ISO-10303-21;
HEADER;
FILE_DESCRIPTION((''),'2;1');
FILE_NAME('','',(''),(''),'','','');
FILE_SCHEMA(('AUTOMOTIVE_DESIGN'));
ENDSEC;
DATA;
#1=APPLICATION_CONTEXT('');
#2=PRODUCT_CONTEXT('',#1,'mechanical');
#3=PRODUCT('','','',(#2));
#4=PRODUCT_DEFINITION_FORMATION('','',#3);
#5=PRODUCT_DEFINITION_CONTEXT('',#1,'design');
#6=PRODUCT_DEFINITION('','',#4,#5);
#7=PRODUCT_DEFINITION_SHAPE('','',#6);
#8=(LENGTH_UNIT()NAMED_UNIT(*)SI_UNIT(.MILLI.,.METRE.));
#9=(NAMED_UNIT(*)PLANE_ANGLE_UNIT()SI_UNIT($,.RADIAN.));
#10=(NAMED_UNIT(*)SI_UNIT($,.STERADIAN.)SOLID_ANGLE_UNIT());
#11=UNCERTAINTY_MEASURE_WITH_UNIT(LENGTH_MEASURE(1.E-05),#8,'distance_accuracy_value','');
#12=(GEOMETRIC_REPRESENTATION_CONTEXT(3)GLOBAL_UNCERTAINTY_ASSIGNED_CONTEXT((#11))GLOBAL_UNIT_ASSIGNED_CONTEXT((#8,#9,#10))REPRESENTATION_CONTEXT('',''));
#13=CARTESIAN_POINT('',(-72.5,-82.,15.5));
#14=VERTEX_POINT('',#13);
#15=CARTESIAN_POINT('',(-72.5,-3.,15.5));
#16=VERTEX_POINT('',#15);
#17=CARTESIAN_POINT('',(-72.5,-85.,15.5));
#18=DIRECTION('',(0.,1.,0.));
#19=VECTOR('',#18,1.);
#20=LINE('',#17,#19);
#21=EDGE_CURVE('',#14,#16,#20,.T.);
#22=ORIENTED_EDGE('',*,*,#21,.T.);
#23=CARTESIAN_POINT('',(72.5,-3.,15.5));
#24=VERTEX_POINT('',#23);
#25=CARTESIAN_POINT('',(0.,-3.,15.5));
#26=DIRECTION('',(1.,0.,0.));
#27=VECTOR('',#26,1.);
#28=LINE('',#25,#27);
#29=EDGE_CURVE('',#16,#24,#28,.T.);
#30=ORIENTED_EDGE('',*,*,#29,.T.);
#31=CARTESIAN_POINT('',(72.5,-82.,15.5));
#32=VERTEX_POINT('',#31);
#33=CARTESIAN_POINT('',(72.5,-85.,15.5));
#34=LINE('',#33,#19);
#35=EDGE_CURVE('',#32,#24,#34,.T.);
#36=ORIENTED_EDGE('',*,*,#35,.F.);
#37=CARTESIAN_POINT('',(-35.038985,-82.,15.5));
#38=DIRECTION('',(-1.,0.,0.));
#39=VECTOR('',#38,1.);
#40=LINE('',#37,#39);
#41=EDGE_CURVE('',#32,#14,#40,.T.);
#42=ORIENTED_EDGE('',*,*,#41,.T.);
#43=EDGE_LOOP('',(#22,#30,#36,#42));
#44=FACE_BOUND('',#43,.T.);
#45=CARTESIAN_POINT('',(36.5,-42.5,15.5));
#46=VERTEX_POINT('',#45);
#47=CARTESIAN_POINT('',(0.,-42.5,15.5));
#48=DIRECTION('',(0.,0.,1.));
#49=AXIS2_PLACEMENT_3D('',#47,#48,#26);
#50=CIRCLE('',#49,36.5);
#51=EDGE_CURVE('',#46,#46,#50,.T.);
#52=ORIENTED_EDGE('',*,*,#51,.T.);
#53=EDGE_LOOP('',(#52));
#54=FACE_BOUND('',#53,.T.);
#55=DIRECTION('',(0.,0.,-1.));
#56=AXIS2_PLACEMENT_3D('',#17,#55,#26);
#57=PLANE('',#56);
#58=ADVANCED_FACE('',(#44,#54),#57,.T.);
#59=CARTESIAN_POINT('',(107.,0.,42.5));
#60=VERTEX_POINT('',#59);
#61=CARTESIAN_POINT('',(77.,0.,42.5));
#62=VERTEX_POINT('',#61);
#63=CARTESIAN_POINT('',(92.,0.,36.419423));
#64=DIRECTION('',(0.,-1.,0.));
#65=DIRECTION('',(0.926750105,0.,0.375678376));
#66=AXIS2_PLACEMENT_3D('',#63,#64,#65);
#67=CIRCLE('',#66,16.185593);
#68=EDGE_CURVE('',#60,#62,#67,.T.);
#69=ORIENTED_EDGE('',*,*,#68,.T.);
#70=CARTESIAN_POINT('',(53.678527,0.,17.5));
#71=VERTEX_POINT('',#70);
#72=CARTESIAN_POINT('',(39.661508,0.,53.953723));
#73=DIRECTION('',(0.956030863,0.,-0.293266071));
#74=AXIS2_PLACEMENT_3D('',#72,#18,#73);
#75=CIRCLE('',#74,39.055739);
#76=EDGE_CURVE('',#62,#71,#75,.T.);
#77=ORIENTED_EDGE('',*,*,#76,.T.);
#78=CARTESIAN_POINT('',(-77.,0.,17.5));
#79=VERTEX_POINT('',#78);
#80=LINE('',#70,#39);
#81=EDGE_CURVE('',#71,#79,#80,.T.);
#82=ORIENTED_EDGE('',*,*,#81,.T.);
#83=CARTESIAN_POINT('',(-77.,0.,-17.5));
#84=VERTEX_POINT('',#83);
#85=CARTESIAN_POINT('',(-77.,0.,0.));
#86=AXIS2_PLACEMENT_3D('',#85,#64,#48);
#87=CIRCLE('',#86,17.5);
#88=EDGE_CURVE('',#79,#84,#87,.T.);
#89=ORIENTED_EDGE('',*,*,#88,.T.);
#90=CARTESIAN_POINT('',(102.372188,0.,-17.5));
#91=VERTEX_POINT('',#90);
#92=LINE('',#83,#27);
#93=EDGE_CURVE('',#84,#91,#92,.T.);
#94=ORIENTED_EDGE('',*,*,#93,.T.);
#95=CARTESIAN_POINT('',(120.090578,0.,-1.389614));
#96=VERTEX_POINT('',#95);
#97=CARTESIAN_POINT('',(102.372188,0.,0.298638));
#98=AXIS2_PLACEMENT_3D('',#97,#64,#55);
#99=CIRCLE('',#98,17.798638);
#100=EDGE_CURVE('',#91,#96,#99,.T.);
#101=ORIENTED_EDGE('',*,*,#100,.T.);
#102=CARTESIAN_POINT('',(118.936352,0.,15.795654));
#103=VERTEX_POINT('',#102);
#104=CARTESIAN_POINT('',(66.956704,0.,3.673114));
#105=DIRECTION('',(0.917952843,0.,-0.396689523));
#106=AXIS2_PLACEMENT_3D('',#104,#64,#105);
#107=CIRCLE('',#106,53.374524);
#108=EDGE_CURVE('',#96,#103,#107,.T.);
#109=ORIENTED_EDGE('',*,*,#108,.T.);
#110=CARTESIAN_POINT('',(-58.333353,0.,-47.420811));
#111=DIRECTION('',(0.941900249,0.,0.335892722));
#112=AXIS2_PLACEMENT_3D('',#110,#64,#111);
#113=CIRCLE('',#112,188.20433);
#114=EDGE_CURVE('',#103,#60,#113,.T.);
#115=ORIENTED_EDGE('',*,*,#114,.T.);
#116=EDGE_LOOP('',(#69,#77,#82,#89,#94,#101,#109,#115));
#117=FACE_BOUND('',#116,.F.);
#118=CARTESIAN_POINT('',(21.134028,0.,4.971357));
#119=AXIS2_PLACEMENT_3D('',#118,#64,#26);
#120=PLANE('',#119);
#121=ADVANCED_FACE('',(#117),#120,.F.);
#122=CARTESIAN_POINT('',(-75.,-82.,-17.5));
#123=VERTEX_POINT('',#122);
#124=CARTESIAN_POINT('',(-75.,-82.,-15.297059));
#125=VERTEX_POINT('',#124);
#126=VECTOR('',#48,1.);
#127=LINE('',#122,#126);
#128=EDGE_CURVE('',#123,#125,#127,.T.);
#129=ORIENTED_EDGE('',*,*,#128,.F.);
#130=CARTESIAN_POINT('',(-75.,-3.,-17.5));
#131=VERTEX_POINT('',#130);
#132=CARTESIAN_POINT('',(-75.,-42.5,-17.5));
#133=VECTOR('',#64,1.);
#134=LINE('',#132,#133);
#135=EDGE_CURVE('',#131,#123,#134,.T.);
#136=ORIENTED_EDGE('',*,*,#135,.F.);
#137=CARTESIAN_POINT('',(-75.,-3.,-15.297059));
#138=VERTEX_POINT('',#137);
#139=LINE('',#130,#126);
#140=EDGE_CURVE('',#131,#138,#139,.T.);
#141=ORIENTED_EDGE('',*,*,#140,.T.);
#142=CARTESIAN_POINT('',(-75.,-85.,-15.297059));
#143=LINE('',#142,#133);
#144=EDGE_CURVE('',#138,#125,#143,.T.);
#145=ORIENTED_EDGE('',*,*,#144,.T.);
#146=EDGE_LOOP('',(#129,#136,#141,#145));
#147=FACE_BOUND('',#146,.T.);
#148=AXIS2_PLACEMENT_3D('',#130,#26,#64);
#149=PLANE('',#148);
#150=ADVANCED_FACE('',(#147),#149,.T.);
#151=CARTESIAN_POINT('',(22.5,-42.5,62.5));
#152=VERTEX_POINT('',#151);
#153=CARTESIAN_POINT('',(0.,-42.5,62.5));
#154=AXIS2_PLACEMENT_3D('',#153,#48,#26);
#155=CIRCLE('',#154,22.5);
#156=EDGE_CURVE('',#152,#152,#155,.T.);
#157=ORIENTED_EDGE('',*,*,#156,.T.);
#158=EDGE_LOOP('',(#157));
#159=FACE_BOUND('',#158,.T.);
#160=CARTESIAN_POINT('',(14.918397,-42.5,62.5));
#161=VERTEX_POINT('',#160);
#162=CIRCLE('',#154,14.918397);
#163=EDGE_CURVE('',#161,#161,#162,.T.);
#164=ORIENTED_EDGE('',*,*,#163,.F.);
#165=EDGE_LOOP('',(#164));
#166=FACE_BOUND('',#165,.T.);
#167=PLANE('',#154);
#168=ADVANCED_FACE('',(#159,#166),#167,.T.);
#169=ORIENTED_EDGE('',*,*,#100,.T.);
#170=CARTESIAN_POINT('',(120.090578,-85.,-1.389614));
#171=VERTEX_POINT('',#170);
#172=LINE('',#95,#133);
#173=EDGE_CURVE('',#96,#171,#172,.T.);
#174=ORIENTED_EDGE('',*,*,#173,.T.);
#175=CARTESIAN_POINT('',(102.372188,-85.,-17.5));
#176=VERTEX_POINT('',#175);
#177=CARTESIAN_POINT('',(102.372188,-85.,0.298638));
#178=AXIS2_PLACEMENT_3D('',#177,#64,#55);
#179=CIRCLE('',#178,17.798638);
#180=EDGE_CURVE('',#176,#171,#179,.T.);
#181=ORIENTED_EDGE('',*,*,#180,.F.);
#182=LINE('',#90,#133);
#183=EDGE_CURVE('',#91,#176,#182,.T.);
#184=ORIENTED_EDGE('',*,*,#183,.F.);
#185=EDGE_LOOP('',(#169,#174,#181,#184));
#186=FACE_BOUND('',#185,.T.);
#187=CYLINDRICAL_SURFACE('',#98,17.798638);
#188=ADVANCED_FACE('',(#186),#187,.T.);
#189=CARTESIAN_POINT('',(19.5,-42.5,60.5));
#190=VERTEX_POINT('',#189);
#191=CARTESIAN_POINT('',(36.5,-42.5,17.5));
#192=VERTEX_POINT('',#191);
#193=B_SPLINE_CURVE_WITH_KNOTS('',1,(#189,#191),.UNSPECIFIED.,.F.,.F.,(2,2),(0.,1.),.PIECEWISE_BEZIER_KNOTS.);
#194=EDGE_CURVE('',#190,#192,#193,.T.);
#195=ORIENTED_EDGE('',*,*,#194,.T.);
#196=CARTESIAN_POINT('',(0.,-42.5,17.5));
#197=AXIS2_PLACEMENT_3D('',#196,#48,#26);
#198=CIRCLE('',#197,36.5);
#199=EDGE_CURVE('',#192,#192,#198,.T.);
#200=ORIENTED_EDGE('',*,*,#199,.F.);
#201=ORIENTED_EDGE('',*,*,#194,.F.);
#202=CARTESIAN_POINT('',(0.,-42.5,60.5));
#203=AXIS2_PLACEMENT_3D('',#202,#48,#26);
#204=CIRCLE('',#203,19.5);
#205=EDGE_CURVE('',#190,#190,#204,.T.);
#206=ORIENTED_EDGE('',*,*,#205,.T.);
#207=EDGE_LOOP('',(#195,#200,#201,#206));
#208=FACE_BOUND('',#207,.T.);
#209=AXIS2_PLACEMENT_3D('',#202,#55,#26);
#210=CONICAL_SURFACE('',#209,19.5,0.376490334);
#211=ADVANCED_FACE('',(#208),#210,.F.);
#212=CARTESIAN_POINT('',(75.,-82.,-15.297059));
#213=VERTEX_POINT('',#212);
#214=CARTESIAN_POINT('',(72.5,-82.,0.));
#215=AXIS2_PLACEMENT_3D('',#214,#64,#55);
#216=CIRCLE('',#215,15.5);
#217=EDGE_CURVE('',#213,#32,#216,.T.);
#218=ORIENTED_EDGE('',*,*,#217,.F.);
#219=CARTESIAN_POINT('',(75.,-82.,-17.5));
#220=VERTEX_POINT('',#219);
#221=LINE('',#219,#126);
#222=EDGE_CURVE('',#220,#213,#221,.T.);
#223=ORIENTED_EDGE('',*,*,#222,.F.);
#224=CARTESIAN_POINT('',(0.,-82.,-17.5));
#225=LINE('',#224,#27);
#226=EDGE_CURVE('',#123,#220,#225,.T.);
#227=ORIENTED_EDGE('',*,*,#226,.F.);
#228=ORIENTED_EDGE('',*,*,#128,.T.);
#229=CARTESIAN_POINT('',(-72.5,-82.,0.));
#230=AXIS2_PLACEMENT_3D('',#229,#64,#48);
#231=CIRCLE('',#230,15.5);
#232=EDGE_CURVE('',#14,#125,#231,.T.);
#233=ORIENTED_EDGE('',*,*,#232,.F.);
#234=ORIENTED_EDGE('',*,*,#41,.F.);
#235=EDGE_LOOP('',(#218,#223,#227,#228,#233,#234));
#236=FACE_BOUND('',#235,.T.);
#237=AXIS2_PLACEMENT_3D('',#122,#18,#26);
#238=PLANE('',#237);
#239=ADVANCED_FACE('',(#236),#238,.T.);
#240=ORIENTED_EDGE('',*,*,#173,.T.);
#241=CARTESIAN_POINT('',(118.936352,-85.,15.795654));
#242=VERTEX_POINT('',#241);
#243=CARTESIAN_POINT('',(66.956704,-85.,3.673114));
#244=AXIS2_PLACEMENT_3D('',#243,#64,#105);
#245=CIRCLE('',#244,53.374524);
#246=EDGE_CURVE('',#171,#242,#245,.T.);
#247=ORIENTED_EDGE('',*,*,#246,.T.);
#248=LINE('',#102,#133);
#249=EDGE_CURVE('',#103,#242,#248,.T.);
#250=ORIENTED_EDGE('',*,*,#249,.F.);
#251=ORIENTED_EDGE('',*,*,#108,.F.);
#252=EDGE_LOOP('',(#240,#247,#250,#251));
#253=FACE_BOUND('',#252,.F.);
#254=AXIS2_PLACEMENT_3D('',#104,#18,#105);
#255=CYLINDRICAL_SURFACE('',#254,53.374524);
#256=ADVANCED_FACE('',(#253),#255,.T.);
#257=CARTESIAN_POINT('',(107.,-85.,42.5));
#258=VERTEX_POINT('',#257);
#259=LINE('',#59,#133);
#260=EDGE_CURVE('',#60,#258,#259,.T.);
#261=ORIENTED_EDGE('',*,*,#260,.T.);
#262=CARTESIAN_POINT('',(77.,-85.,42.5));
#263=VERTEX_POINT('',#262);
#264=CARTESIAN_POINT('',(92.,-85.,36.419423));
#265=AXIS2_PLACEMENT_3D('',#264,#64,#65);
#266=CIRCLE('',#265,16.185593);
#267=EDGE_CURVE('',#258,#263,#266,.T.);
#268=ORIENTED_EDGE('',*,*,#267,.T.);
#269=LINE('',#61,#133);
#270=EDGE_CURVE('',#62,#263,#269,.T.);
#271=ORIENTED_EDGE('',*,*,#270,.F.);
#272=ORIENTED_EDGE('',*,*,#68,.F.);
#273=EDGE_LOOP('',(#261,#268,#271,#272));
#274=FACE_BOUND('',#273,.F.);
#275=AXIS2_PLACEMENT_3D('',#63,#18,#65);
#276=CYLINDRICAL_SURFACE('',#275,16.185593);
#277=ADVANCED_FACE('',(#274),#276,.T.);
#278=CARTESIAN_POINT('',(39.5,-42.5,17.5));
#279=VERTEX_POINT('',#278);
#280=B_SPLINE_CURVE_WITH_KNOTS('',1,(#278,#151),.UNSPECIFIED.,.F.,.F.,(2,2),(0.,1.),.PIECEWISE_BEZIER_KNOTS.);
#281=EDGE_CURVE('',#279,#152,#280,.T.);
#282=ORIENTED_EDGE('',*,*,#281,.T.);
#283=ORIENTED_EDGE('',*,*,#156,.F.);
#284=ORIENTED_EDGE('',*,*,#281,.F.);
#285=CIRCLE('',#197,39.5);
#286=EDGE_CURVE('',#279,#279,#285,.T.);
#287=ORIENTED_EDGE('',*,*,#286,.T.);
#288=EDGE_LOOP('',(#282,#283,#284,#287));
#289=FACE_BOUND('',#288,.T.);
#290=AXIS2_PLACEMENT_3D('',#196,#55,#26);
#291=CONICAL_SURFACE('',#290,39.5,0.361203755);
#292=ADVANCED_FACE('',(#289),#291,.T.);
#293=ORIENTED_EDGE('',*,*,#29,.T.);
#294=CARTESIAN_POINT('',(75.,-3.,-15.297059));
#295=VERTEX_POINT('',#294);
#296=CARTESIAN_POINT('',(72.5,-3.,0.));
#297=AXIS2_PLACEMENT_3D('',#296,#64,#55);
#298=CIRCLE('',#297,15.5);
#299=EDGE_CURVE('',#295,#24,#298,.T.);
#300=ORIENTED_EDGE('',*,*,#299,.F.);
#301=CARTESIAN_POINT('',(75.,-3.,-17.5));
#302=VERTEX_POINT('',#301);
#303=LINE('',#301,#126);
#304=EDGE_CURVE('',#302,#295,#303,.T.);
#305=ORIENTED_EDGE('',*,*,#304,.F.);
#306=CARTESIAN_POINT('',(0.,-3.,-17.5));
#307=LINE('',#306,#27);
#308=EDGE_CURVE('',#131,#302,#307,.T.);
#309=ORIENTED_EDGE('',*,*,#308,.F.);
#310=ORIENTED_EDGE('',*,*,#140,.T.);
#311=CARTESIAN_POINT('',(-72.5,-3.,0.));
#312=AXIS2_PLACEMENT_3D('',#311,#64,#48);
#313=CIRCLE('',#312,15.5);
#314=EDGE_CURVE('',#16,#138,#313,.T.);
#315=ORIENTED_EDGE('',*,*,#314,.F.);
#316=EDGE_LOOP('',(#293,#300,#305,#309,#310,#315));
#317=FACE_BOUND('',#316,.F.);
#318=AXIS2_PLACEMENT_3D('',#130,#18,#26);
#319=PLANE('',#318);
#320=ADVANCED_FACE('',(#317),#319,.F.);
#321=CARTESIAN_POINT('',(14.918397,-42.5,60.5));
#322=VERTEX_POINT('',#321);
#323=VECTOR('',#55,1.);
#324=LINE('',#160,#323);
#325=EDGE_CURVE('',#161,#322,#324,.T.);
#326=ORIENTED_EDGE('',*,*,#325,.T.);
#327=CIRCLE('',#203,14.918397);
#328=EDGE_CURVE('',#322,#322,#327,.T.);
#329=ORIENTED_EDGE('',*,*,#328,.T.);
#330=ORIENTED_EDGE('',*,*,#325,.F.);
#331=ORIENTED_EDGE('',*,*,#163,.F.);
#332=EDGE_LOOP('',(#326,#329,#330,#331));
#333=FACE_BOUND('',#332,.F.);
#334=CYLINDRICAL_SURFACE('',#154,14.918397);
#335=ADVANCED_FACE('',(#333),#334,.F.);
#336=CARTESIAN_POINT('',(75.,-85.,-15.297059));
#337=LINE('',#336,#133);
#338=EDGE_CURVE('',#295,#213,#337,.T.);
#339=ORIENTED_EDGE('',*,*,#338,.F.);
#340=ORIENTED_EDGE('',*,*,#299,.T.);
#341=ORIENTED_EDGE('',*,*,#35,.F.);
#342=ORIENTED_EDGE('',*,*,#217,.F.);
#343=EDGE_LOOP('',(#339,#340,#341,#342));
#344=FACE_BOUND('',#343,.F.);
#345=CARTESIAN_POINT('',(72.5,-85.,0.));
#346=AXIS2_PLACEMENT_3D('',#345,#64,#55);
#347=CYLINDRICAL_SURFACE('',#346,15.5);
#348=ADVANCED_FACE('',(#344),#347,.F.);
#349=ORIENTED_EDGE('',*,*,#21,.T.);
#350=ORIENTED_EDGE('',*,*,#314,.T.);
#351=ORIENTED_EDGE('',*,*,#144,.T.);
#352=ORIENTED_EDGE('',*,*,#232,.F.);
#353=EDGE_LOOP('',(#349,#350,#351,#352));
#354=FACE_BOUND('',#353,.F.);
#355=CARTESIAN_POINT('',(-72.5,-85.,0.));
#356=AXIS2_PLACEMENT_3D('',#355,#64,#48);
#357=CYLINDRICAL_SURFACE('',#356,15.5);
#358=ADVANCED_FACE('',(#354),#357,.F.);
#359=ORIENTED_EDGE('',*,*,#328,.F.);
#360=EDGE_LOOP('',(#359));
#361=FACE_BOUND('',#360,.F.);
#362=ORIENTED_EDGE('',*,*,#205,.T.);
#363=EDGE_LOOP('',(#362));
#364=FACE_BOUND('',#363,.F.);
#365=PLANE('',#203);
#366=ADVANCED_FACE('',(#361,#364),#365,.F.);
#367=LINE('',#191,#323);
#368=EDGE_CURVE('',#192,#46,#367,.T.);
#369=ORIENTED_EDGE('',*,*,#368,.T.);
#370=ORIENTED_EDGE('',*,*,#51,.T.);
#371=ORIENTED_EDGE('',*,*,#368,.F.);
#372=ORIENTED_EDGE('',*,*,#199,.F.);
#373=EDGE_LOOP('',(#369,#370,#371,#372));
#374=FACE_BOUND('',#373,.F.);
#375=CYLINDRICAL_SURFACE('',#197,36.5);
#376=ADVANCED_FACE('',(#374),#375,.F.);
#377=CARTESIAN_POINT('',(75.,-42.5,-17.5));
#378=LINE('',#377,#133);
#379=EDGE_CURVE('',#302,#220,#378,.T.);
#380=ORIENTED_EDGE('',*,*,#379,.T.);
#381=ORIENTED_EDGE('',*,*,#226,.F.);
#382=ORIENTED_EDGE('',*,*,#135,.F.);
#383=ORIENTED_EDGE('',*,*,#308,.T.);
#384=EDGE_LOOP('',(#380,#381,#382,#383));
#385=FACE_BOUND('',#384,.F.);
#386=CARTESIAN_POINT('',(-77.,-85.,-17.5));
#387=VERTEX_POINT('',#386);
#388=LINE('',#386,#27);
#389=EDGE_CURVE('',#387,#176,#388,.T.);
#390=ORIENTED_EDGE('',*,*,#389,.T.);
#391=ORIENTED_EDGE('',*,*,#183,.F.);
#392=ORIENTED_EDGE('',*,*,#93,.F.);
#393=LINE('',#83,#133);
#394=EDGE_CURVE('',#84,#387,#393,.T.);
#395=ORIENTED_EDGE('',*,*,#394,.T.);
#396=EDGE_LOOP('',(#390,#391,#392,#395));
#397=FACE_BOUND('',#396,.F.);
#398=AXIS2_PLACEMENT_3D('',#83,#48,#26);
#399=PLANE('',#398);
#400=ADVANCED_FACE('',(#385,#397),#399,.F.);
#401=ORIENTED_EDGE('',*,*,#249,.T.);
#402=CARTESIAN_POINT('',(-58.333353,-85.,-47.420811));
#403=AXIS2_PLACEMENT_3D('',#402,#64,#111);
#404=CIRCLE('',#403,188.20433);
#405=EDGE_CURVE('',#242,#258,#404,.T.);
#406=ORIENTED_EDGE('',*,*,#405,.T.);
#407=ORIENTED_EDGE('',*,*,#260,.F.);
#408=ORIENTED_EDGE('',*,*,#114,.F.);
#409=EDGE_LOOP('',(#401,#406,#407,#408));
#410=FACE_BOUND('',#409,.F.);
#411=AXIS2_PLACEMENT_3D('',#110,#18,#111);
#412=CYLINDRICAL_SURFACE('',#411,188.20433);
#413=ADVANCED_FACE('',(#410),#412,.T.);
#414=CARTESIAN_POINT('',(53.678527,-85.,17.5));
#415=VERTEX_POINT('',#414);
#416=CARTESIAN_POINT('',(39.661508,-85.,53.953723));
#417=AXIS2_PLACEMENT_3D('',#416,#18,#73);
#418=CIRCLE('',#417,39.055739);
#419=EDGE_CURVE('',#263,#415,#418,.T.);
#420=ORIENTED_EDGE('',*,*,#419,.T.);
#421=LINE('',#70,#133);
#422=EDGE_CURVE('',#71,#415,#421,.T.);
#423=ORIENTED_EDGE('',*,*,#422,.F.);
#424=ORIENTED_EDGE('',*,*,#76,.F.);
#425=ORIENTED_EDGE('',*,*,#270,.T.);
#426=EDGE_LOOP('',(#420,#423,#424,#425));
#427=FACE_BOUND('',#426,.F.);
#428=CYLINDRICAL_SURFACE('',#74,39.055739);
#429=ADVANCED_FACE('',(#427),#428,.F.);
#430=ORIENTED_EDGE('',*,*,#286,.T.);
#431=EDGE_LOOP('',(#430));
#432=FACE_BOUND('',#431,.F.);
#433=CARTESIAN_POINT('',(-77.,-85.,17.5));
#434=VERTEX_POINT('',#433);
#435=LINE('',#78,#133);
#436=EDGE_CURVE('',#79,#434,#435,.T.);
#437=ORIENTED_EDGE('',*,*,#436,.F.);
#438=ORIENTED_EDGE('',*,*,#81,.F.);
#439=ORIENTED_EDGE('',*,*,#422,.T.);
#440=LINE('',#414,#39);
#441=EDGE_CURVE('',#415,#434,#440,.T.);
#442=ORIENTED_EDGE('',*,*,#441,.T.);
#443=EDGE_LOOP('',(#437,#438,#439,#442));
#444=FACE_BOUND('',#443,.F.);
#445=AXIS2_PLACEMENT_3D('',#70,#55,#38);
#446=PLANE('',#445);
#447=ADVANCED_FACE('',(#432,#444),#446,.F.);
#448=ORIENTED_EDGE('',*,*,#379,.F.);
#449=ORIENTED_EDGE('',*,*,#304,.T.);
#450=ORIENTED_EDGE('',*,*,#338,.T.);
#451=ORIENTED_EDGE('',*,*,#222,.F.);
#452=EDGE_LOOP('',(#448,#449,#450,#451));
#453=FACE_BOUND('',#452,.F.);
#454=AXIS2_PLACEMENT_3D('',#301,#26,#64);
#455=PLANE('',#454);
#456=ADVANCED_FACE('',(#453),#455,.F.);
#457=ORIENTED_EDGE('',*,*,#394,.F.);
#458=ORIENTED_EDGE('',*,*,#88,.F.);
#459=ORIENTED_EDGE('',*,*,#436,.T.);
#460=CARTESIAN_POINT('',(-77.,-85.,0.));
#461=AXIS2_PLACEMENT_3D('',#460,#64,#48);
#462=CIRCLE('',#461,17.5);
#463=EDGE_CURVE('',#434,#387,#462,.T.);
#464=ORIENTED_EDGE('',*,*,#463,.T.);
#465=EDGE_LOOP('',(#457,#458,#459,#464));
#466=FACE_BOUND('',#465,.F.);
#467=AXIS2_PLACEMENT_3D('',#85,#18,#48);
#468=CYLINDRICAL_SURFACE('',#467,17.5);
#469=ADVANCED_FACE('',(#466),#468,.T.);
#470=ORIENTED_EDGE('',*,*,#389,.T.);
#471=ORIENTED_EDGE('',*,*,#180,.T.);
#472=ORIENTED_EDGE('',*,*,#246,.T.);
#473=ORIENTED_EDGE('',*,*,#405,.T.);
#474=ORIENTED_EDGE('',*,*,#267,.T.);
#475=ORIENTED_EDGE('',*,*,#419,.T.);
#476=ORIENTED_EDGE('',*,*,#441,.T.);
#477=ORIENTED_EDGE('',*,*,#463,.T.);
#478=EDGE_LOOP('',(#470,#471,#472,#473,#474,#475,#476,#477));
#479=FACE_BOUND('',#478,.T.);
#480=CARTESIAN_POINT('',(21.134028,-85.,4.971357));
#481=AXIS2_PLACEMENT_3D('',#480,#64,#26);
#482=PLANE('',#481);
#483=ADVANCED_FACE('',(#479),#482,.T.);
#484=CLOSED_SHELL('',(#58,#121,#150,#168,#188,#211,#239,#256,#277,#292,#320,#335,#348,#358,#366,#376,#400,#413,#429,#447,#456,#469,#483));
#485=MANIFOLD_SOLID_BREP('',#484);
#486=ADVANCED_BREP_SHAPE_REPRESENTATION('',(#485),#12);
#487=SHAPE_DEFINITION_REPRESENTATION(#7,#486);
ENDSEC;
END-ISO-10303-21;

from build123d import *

# Parameters (mm, degrees)
F1_DEPTH  = 85
F2_W      = 145
F2_H      = 31
F3_DEPTH  = 82
F5_DEPTH  = 3
F6_R      = 36.5
F7_DEPTH  = 25
F8_W      = 150
F8_H      = 79
F9_DEPTH  = 25
F12_R     = 39.5
F11_R     = 22.5
F15_R     = 19.5
F16_R     = 36.5
F18_R     = 14.9183969034
F19_DEPTH = 25
F20_R     = 17.7986384492


with BuildPart() as f1:
    # F0 (on Front) → F1 (new body)
    with BuildSketch(Plane.XZ):
        with BuildLine():
            Line((53.6785274744, 17.5), (-77, 17.5))
            ThreePointArc((-77, 17.5), (-94.5, 0), (-77, -17.5))
            Line((-77, -17.5), (107, -17.5))
            Line((107, -17.5), (115.9520000219, -17.5))
            ThreePointArc((115.9520000219, -17.5), (120.1181090792, -1.0918428156), (118.9363524318, 15.7956536859))
            ThreePointArc((118.9363524318, 15.7956536859), (113.4877587414, 29.3800706908), (107, 42.5))
            ThreePointArc((107, 42.5), (92, 52.605015692), (77, 42.5))
            ThreePointArc((77, 42.5), (68.2201693479, 27.312521558), (53.6785274744, 17.5))
        make_face()
    extrude(amount=F1_DEPTH)

    # F2 (on face) → F3 (cut)
    with BuildSketch(Plane.XZ.offset(85)):
        Rectangle(F2_W, F2_H)
        with BuildLine():
            ThreePointArc((72.5, -15.5), (88, 0), (72.5, 15.5))
            Line((72.5, 15.5), (72.5, -15.5))
        make_face()
        with BuildLine():
            Line((-72.5, -15.5), (-72.5, 15.5))
            ThreePointArc((-72.5, 15.5), (-88, 0), (-72.5, -15.5))
        make_face()
    extrude(amount=-F3_DEPTH, mode=Mode.SUBTRACT)

    # F4 (on face) → F5 (join)
    with BuildSketch(Plane.XZ.offset(85)):
        Polygon((-80.3302004933, 15.8144365996), (-89.8194238544, 7.0904721506), (-91.0138636827, 2.9792727437), (-88.2837101817, -7.9413596541), (-85.0075185299, -14.220722951), (-77, -16.4173003286), (74.3856430054, -16.4173003286), (83.1666067243, -15.5), (93.1773036718, -10.9323309734), (95.8332046866, 5.4116621614), (83.1666067243, 16.6404508054), (67.7867159247, 16.6404508054), (-69.6145296097, 16.6404508054), align=None)
    extrude(amount=-F5_DEPTH)

    # F6 (on face) → F7 (cut)
    with BuildSketch(Plane.XY.offset(17.5)):
        with Locations((0, -42.5)):
            Circle(F6_R)
    extrude(amount=-F7_DEPTH, mode=Mode.SUBTRACT)

    # F8 (on face) → F9 (cut)
    with BuildSketch(Plane(origin=(0, 0, -17.5), x_dir=(1, 0, 0), z_dir=(0, 0, -1))):
        with Locations((0, 42.5)):
            Rectangle(F8_W, F8_H)
    extrude(amount=-F9_DEPTH, mode=Mode.SUBTRACT)

    # F12 (on face) → F13 section 0
    with BuildSketch(Plane.XY.offset(17.5)):
        with Locations((0, -42.5)):
            Circle(F12_R)
    # F11 (on offset) → F13 section 1
    with BuildSketch(Plane.XY.offset(62.5)):
        with Locations((0, -42.5)):
            Circle(F11_R)
    loft()

    # F15 (on offset) → F17 section 0
    with BuildSketch(Plane.XY.offset(60.5)):
        with Locations((0, -42.5)):
            Circle(F15_R)
    # F16 (on face) → F17 section 1
    with BuildSketch(Plane(origin=(0, 0, 17.5), x_dir=(1, 0, 0), z_dir=(0, 0, -1))):
        with Locations((0, 42.5)):
            Circle(F16_R)
    loft(mode=Mode.SUBTRACT)

    # F18 (on face) → F19 (cut)
    with BuildSketch(Plane.XY.offset(62.5)):
        with Locations((0, -42.5)):
            Circle(F18_R)
    extrude(amount=-F19_DEPTH, mode=Mode.SUBTRACT)

    # F20
    f20_edges = [f1.edges().sort_by_distance(p)[0] for p in [
        (115.952, -42.5, -17.5),
    ]]
    fillet(f20_edges, radius=F20_R)


solid = f1.part
